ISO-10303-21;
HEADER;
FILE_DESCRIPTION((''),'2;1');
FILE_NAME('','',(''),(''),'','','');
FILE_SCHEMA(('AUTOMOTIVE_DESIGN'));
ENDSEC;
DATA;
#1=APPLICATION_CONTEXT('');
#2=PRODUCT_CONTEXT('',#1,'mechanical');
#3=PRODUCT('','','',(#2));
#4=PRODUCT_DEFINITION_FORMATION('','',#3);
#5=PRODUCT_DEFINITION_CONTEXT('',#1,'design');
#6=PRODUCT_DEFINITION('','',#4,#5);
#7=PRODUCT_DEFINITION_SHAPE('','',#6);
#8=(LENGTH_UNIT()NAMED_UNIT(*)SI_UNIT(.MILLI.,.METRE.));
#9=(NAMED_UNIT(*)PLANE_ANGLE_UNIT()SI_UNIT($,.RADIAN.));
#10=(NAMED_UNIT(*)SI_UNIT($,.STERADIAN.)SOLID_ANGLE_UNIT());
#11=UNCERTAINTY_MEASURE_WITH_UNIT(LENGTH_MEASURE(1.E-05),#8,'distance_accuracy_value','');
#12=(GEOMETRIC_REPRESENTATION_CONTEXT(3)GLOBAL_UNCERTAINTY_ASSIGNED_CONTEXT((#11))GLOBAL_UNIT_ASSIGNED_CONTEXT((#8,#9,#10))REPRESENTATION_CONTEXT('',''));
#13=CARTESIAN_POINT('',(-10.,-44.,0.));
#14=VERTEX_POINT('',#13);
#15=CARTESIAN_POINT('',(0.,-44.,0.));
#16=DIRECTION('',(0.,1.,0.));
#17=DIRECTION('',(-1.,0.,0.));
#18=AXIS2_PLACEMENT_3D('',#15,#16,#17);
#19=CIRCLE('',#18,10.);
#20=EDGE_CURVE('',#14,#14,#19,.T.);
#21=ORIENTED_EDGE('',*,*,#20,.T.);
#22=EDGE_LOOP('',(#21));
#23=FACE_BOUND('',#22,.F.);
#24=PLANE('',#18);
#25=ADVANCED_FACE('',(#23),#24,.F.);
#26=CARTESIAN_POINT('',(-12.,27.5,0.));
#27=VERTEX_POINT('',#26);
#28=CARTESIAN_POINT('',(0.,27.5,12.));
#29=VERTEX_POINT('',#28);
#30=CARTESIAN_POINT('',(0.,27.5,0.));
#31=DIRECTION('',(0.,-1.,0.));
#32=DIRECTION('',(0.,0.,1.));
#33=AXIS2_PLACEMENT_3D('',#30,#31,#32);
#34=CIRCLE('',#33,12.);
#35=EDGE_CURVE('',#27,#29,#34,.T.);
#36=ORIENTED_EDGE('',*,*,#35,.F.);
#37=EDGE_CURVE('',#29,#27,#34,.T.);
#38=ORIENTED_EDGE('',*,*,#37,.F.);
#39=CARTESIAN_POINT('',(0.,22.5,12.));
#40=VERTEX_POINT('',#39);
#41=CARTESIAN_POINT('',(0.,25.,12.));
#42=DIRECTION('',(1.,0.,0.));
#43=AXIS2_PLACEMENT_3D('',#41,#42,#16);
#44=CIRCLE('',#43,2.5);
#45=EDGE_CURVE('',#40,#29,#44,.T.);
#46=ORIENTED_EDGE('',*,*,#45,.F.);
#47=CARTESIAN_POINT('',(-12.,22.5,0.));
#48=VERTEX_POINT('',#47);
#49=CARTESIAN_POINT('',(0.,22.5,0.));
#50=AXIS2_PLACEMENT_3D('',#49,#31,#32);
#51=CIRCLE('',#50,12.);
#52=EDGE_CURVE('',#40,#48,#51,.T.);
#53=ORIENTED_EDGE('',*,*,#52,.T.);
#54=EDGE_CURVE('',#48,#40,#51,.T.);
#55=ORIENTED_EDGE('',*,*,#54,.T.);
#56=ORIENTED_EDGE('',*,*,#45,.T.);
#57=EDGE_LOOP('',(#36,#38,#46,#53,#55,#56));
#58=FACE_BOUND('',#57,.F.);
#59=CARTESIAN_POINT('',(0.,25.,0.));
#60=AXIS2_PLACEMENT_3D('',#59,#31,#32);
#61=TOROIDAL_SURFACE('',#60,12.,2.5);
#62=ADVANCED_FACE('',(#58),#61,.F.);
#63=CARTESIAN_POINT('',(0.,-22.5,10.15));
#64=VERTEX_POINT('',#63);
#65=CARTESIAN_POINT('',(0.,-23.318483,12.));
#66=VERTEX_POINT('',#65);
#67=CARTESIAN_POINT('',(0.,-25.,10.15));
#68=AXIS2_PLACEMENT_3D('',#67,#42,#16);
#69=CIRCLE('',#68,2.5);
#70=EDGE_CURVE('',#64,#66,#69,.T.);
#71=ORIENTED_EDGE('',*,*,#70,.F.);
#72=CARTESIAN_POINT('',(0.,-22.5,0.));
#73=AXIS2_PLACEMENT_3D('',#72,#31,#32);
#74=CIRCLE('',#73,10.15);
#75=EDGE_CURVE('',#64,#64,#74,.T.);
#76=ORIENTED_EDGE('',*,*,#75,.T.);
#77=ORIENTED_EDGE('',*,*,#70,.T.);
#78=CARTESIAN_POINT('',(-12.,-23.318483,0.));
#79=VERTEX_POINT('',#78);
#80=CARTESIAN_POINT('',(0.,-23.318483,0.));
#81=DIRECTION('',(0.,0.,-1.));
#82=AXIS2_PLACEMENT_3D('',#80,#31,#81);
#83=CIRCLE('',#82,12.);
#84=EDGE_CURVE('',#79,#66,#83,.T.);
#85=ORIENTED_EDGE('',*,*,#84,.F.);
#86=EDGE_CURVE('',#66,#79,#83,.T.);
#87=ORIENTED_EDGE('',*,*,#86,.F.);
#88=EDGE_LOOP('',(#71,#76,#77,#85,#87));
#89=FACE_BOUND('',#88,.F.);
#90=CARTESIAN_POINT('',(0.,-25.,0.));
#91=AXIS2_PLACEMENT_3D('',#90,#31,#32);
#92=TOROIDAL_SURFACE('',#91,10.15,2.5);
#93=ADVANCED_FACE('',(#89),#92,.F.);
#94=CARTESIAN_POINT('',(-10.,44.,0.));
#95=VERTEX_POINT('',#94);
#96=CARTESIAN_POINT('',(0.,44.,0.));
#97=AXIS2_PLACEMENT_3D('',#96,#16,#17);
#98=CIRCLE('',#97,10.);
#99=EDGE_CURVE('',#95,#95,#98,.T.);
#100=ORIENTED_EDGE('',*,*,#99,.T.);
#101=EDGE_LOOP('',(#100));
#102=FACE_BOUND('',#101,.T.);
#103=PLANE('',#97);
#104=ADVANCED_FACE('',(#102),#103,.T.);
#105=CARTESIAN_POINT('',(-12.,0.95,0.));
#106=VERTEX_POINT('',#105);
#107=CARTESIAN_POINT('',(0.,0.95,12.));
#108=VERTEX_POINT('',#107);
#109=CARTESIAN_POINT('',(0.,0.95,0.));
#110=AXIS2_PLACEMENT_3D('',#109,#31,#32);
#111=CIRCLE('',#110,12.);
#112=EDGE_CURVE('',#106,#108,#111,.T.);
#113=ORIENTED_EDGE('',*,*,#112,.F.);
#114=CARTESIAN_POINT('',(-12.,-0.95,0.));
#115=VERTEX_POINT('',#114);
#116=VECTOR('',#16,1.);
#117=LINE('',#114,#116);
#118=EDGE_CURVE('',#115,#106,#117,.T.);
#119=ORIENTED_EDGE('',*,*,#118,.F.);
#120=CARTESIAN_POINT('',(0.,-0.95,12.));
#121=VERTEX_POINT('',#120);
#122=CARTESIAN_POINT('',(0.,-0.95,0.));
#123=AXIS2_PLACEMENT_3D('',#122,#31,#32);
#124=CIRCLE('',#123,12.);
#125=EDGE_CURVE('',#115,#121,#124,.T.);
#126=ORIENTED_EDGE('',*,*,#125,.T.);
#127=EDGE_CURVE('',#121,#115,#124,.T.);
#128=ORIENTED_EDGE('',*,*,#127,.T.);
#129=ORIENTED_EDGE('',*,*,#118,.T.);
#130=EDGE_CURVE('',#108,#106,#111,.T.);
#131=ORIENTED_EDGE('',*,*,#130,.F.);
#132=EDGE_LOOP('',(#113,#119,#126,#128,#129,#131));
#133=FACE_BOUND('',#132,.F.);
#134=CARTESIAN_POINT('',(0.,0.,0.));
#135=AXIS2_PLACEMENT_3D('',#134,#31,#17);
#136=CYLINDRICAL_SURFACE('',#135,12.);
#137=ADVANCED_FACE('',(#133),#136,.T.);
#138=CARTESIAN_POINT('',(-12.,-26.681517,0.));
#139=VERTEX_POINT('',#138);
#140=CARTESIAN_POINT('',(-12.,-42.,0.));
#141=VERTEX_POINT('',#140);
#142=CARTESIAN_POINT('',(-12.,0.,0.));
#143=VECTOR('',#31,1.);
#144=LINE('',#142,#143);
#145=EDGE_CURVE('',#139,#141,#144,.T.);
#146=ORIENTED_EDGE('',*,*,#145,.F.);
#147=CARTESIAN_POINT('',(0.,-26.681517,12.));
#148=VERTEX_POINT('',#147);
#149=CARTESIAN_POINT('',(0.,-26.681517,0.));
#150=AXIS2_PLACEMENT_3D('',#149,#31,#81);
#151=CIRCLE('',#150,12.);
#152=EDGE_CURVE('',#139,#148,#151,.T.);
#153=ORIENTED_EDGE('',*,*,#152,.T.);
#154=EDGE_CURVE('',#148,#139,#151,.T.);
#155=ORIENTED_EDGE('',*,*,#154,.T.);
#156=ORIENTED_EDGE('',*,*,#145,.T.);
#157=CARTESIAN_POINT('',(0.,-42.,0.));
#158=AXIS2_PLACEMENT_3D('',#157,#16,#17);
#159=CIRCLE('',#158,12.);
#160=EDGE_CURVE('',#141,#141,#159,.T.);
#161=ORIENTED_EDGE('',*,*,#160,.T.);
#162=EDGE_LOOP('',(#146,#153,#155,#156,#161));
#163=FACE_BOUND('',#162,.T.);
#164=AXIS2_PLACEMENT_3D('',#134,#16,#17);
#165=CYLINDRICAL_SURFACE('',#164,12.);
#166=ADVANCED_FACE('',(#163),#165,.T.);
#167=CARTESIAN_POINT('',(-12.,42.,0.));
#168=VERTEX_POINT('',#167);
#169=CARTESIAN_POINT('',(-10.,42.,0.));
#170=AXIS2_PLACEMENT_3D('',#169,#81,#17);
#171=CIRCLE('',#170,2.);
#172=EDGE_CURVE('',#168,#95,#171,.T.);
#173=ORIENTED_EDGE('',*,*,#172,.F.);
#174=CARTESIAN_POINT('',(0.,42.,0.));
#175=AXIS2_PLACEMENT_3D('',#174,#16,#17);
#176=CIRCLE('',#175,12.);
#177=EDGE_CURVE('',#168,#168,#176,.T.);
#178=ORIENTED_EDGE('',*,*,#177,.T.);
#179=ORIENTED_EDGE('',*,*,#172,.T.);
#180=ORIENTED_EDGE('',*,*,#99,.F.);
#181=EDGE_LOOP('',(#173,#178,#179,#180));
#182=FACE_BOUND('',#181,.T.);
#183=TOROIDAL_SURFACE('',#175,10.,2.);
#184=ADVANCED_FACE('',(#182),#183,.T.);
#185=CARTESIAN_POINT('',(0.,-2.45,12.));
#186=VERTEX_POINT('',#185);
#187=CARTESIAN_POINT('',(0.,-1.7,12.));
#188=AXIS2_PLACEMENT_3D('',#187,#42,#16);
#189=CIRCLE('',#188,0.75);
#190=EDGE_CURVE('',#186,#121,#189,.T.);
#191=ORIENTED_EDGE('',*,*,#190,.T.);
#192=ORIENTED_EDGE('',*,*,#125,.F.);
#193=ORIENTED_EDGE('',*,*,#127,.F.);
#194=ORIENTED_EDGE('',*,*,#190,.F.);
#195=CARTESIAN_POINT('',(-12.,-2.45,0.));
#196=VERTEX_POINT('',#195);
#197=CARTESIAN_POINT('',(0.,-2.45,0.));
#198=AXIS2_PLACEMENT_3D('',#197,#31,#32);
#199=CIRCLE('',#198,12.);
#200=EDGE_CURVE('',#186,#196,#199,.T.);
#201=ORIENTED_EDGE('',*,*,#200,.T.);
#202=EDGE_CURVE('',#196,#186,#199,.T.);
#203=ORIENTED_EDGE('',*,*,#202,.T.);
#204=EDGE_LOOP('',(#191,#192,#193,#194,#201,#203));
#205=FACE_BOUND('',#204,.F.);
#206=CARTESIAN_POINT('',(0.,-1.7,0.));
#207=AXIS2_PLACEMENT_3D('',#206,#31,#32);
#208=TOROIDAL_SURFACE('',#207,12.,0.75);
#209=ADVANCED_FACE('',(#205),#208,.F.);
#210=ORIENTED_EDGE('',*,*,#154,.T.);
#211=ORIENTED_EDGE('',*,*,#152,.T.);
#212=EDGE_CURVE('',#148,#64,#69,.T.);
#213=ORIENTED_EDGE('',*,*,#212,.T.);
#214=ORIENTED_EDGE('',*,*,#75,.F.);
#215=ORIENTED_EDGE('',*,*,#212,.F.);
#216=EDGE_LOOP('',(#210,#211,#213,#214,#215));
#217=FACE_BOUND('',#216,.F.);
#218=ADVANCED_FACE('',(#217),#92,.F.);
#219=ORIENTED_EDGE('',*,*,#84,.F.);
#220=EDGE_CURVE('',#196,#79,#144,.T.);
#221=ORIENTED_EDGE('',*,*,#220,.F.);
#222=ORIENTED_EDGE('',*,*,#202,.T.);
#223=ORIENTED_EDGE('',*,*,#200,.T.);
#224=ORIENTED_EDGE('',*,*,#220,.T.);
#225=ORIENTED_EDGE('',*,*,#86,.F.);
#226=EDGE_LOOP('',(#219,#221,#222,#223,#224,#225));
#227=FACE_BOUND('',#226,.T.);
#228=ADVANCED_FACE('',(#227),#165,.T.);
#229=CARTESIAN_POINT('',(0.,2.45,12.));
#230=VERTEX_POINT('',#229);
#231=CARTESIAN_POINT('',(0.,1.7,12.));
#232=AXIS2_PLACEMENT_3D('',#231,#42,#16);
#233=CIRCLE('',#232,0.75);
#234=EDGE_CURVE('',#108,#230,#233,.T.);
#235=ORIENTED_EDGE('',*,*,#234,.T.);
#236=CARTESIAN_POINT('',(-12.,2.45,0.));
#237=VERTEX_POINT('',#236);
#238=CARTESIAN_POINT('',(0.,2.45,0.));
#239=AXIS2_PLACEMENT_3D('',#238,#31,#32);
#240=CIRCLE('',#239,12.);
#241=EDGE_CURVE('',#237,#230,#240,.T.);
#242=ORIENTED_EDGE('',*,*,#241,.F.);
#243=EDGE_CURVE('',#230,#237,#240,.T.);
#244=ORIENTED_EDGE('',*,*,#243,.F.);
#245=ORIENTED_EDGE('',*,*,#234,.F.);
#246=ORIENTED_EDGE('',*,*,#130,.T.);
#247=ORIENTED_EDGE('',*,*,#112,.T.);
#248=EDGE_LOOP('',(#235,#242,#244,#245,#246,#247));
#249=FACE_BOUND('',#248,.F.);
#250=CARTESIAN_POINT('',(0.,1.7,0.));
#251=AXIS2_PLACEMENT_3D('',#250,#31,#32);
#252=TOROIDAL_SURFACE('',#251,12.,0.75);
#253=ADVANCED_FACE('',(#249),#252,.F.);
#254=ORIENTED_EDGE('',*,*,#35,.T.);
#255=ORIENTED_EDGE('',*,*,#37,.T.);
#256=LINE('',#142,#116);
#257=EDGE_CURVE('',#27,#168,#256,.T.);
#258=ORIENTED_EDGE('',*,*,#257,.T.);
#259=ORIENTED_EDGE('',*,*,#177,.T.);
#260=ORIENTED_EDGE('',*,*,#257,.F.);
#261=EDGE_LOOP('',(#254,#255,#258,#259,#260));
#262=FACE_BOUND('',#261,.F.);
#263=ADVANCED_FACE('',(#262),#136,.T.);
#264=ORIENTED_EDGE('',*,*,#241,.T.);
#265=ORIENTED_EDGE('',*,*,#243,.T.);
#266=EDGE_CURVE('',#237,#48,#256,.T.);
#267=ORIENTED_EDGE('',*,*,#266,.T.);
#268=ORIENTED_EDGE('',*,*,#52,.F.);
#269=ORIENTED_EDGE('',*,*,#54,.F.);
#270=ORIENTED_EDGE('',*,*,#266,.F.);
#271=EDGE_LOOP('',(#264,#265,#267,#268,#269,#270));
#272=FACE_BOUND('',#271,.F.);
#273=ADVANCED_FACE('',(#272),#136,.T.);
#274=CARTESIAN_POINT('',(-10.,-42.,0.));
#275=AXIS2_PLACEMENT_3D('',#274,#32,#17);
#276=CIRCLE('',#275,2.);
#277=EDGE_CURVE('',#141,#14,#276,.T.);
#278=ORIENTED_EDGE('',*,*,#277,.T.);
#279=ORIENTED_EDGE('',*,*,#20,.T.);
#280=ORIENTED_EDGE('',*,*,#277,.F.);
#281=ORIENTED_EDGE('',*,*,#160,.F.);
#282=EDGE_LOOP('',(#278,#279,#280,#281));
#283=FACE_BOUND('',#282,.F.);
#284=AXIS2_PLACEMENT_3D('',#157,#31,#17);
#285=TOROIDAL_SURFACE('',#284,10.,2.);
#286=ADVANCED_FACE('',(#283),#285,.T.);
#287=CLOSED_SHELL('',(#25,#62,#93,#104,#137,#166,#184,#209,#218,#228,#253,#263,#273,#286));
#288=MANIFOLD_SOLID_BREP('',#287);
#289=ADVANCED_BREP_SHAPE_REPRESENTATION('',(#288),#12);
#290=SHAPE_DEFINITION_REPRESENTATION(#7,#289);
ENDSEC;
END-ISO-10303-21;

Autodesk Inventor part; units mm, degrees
ref_plane "XZ Plane" through (0, 0, 0) normal (0, 1, 0) x (-1, 0, 0)
sketch "Boceto1" plane through (0, 0, 0) normal (0, 1, 0) x (-1, 0, 0)
  circle A0 centre (0, 0) radius 12
  dimension "d0" = 24
extrude "Extrusión1" add sketch "Boceto1" along normal mid plane 88
ref_plane "Plano de trabajo1" through (0, 0, 0) normal (0, 1, 0) x (1, 0, 0)
ref_plane "Plano de trabajo2" through (0, 0, 0) normal (1, 0, 0) x (0, 1, 0)
sketch "Boceto2" plane through (0, 0, 0) normal (1, 0, 0) x (0, 1, 0)
  line L0 (-44, 12) -> (-44, -12) projected
  line L1 (44, -12) -> (44, 12) projected
  line L2 (-44, 12) -> (44, 12) projected
  circle A0 centre (1.7, 12) radius 0.75
  line L3 (0, 17.7) -> (0, -16.95) projected
  circle A1 centre (-1.7, 12) radius 0.75
  line L4 (44.17, 0) -> (-44.17, 0) projected
  point P0 (0, 0)
  dimension "d4" = 1.5
  dimension "d5" = 1.7
  dimension "d6" = 1.5
  dimension "d7" = 1.7
ref_plane "Plano de trabajo3" through (0, 0, 0) normal (0, 0, 1) x (1, 0, 0)
revolve "Revolución1" cut sketch "Boceto2" angle 360 about axis through (0, 0, 0) along (0, -1, 0) contours A1 L2 | L2 A1 | A0 L2 | L2 A0
sketch "Boceto3" plane through (0, 0, 0) normal (1, 0, 0) x (0, 1, 0)
  line L0 (2.45, 12) -> (44, 12) projected
  circle A0 centre (25, 12) radius 2.5
  circle A1 centre (-25, 10.15) radius 2.5
  line L1 (42.26, 0) -> (-32.71, 0) projected
  point P0 (0, 0)
  dimension "d10" = 5
  dimension "d11" = 25
  dimension "d12" = 5
  dimension "d13" = 25
revolve "Revolución2" cut sketch "Boceto3" angle 360 about axis through (0, 0, 0) along (0, -1, 0)
fillet "Empalme1" radius 2 2 edges at (12, 44, 0) (12, -44, 0)
sketch "Boceto4" plane through (0, 44, 0) normal (0, 1, 0) x (1, 0, 0)
  point P0 (0, 0)
  point P1 (0, 0)
properties part number "conectorDe2o3pines"
